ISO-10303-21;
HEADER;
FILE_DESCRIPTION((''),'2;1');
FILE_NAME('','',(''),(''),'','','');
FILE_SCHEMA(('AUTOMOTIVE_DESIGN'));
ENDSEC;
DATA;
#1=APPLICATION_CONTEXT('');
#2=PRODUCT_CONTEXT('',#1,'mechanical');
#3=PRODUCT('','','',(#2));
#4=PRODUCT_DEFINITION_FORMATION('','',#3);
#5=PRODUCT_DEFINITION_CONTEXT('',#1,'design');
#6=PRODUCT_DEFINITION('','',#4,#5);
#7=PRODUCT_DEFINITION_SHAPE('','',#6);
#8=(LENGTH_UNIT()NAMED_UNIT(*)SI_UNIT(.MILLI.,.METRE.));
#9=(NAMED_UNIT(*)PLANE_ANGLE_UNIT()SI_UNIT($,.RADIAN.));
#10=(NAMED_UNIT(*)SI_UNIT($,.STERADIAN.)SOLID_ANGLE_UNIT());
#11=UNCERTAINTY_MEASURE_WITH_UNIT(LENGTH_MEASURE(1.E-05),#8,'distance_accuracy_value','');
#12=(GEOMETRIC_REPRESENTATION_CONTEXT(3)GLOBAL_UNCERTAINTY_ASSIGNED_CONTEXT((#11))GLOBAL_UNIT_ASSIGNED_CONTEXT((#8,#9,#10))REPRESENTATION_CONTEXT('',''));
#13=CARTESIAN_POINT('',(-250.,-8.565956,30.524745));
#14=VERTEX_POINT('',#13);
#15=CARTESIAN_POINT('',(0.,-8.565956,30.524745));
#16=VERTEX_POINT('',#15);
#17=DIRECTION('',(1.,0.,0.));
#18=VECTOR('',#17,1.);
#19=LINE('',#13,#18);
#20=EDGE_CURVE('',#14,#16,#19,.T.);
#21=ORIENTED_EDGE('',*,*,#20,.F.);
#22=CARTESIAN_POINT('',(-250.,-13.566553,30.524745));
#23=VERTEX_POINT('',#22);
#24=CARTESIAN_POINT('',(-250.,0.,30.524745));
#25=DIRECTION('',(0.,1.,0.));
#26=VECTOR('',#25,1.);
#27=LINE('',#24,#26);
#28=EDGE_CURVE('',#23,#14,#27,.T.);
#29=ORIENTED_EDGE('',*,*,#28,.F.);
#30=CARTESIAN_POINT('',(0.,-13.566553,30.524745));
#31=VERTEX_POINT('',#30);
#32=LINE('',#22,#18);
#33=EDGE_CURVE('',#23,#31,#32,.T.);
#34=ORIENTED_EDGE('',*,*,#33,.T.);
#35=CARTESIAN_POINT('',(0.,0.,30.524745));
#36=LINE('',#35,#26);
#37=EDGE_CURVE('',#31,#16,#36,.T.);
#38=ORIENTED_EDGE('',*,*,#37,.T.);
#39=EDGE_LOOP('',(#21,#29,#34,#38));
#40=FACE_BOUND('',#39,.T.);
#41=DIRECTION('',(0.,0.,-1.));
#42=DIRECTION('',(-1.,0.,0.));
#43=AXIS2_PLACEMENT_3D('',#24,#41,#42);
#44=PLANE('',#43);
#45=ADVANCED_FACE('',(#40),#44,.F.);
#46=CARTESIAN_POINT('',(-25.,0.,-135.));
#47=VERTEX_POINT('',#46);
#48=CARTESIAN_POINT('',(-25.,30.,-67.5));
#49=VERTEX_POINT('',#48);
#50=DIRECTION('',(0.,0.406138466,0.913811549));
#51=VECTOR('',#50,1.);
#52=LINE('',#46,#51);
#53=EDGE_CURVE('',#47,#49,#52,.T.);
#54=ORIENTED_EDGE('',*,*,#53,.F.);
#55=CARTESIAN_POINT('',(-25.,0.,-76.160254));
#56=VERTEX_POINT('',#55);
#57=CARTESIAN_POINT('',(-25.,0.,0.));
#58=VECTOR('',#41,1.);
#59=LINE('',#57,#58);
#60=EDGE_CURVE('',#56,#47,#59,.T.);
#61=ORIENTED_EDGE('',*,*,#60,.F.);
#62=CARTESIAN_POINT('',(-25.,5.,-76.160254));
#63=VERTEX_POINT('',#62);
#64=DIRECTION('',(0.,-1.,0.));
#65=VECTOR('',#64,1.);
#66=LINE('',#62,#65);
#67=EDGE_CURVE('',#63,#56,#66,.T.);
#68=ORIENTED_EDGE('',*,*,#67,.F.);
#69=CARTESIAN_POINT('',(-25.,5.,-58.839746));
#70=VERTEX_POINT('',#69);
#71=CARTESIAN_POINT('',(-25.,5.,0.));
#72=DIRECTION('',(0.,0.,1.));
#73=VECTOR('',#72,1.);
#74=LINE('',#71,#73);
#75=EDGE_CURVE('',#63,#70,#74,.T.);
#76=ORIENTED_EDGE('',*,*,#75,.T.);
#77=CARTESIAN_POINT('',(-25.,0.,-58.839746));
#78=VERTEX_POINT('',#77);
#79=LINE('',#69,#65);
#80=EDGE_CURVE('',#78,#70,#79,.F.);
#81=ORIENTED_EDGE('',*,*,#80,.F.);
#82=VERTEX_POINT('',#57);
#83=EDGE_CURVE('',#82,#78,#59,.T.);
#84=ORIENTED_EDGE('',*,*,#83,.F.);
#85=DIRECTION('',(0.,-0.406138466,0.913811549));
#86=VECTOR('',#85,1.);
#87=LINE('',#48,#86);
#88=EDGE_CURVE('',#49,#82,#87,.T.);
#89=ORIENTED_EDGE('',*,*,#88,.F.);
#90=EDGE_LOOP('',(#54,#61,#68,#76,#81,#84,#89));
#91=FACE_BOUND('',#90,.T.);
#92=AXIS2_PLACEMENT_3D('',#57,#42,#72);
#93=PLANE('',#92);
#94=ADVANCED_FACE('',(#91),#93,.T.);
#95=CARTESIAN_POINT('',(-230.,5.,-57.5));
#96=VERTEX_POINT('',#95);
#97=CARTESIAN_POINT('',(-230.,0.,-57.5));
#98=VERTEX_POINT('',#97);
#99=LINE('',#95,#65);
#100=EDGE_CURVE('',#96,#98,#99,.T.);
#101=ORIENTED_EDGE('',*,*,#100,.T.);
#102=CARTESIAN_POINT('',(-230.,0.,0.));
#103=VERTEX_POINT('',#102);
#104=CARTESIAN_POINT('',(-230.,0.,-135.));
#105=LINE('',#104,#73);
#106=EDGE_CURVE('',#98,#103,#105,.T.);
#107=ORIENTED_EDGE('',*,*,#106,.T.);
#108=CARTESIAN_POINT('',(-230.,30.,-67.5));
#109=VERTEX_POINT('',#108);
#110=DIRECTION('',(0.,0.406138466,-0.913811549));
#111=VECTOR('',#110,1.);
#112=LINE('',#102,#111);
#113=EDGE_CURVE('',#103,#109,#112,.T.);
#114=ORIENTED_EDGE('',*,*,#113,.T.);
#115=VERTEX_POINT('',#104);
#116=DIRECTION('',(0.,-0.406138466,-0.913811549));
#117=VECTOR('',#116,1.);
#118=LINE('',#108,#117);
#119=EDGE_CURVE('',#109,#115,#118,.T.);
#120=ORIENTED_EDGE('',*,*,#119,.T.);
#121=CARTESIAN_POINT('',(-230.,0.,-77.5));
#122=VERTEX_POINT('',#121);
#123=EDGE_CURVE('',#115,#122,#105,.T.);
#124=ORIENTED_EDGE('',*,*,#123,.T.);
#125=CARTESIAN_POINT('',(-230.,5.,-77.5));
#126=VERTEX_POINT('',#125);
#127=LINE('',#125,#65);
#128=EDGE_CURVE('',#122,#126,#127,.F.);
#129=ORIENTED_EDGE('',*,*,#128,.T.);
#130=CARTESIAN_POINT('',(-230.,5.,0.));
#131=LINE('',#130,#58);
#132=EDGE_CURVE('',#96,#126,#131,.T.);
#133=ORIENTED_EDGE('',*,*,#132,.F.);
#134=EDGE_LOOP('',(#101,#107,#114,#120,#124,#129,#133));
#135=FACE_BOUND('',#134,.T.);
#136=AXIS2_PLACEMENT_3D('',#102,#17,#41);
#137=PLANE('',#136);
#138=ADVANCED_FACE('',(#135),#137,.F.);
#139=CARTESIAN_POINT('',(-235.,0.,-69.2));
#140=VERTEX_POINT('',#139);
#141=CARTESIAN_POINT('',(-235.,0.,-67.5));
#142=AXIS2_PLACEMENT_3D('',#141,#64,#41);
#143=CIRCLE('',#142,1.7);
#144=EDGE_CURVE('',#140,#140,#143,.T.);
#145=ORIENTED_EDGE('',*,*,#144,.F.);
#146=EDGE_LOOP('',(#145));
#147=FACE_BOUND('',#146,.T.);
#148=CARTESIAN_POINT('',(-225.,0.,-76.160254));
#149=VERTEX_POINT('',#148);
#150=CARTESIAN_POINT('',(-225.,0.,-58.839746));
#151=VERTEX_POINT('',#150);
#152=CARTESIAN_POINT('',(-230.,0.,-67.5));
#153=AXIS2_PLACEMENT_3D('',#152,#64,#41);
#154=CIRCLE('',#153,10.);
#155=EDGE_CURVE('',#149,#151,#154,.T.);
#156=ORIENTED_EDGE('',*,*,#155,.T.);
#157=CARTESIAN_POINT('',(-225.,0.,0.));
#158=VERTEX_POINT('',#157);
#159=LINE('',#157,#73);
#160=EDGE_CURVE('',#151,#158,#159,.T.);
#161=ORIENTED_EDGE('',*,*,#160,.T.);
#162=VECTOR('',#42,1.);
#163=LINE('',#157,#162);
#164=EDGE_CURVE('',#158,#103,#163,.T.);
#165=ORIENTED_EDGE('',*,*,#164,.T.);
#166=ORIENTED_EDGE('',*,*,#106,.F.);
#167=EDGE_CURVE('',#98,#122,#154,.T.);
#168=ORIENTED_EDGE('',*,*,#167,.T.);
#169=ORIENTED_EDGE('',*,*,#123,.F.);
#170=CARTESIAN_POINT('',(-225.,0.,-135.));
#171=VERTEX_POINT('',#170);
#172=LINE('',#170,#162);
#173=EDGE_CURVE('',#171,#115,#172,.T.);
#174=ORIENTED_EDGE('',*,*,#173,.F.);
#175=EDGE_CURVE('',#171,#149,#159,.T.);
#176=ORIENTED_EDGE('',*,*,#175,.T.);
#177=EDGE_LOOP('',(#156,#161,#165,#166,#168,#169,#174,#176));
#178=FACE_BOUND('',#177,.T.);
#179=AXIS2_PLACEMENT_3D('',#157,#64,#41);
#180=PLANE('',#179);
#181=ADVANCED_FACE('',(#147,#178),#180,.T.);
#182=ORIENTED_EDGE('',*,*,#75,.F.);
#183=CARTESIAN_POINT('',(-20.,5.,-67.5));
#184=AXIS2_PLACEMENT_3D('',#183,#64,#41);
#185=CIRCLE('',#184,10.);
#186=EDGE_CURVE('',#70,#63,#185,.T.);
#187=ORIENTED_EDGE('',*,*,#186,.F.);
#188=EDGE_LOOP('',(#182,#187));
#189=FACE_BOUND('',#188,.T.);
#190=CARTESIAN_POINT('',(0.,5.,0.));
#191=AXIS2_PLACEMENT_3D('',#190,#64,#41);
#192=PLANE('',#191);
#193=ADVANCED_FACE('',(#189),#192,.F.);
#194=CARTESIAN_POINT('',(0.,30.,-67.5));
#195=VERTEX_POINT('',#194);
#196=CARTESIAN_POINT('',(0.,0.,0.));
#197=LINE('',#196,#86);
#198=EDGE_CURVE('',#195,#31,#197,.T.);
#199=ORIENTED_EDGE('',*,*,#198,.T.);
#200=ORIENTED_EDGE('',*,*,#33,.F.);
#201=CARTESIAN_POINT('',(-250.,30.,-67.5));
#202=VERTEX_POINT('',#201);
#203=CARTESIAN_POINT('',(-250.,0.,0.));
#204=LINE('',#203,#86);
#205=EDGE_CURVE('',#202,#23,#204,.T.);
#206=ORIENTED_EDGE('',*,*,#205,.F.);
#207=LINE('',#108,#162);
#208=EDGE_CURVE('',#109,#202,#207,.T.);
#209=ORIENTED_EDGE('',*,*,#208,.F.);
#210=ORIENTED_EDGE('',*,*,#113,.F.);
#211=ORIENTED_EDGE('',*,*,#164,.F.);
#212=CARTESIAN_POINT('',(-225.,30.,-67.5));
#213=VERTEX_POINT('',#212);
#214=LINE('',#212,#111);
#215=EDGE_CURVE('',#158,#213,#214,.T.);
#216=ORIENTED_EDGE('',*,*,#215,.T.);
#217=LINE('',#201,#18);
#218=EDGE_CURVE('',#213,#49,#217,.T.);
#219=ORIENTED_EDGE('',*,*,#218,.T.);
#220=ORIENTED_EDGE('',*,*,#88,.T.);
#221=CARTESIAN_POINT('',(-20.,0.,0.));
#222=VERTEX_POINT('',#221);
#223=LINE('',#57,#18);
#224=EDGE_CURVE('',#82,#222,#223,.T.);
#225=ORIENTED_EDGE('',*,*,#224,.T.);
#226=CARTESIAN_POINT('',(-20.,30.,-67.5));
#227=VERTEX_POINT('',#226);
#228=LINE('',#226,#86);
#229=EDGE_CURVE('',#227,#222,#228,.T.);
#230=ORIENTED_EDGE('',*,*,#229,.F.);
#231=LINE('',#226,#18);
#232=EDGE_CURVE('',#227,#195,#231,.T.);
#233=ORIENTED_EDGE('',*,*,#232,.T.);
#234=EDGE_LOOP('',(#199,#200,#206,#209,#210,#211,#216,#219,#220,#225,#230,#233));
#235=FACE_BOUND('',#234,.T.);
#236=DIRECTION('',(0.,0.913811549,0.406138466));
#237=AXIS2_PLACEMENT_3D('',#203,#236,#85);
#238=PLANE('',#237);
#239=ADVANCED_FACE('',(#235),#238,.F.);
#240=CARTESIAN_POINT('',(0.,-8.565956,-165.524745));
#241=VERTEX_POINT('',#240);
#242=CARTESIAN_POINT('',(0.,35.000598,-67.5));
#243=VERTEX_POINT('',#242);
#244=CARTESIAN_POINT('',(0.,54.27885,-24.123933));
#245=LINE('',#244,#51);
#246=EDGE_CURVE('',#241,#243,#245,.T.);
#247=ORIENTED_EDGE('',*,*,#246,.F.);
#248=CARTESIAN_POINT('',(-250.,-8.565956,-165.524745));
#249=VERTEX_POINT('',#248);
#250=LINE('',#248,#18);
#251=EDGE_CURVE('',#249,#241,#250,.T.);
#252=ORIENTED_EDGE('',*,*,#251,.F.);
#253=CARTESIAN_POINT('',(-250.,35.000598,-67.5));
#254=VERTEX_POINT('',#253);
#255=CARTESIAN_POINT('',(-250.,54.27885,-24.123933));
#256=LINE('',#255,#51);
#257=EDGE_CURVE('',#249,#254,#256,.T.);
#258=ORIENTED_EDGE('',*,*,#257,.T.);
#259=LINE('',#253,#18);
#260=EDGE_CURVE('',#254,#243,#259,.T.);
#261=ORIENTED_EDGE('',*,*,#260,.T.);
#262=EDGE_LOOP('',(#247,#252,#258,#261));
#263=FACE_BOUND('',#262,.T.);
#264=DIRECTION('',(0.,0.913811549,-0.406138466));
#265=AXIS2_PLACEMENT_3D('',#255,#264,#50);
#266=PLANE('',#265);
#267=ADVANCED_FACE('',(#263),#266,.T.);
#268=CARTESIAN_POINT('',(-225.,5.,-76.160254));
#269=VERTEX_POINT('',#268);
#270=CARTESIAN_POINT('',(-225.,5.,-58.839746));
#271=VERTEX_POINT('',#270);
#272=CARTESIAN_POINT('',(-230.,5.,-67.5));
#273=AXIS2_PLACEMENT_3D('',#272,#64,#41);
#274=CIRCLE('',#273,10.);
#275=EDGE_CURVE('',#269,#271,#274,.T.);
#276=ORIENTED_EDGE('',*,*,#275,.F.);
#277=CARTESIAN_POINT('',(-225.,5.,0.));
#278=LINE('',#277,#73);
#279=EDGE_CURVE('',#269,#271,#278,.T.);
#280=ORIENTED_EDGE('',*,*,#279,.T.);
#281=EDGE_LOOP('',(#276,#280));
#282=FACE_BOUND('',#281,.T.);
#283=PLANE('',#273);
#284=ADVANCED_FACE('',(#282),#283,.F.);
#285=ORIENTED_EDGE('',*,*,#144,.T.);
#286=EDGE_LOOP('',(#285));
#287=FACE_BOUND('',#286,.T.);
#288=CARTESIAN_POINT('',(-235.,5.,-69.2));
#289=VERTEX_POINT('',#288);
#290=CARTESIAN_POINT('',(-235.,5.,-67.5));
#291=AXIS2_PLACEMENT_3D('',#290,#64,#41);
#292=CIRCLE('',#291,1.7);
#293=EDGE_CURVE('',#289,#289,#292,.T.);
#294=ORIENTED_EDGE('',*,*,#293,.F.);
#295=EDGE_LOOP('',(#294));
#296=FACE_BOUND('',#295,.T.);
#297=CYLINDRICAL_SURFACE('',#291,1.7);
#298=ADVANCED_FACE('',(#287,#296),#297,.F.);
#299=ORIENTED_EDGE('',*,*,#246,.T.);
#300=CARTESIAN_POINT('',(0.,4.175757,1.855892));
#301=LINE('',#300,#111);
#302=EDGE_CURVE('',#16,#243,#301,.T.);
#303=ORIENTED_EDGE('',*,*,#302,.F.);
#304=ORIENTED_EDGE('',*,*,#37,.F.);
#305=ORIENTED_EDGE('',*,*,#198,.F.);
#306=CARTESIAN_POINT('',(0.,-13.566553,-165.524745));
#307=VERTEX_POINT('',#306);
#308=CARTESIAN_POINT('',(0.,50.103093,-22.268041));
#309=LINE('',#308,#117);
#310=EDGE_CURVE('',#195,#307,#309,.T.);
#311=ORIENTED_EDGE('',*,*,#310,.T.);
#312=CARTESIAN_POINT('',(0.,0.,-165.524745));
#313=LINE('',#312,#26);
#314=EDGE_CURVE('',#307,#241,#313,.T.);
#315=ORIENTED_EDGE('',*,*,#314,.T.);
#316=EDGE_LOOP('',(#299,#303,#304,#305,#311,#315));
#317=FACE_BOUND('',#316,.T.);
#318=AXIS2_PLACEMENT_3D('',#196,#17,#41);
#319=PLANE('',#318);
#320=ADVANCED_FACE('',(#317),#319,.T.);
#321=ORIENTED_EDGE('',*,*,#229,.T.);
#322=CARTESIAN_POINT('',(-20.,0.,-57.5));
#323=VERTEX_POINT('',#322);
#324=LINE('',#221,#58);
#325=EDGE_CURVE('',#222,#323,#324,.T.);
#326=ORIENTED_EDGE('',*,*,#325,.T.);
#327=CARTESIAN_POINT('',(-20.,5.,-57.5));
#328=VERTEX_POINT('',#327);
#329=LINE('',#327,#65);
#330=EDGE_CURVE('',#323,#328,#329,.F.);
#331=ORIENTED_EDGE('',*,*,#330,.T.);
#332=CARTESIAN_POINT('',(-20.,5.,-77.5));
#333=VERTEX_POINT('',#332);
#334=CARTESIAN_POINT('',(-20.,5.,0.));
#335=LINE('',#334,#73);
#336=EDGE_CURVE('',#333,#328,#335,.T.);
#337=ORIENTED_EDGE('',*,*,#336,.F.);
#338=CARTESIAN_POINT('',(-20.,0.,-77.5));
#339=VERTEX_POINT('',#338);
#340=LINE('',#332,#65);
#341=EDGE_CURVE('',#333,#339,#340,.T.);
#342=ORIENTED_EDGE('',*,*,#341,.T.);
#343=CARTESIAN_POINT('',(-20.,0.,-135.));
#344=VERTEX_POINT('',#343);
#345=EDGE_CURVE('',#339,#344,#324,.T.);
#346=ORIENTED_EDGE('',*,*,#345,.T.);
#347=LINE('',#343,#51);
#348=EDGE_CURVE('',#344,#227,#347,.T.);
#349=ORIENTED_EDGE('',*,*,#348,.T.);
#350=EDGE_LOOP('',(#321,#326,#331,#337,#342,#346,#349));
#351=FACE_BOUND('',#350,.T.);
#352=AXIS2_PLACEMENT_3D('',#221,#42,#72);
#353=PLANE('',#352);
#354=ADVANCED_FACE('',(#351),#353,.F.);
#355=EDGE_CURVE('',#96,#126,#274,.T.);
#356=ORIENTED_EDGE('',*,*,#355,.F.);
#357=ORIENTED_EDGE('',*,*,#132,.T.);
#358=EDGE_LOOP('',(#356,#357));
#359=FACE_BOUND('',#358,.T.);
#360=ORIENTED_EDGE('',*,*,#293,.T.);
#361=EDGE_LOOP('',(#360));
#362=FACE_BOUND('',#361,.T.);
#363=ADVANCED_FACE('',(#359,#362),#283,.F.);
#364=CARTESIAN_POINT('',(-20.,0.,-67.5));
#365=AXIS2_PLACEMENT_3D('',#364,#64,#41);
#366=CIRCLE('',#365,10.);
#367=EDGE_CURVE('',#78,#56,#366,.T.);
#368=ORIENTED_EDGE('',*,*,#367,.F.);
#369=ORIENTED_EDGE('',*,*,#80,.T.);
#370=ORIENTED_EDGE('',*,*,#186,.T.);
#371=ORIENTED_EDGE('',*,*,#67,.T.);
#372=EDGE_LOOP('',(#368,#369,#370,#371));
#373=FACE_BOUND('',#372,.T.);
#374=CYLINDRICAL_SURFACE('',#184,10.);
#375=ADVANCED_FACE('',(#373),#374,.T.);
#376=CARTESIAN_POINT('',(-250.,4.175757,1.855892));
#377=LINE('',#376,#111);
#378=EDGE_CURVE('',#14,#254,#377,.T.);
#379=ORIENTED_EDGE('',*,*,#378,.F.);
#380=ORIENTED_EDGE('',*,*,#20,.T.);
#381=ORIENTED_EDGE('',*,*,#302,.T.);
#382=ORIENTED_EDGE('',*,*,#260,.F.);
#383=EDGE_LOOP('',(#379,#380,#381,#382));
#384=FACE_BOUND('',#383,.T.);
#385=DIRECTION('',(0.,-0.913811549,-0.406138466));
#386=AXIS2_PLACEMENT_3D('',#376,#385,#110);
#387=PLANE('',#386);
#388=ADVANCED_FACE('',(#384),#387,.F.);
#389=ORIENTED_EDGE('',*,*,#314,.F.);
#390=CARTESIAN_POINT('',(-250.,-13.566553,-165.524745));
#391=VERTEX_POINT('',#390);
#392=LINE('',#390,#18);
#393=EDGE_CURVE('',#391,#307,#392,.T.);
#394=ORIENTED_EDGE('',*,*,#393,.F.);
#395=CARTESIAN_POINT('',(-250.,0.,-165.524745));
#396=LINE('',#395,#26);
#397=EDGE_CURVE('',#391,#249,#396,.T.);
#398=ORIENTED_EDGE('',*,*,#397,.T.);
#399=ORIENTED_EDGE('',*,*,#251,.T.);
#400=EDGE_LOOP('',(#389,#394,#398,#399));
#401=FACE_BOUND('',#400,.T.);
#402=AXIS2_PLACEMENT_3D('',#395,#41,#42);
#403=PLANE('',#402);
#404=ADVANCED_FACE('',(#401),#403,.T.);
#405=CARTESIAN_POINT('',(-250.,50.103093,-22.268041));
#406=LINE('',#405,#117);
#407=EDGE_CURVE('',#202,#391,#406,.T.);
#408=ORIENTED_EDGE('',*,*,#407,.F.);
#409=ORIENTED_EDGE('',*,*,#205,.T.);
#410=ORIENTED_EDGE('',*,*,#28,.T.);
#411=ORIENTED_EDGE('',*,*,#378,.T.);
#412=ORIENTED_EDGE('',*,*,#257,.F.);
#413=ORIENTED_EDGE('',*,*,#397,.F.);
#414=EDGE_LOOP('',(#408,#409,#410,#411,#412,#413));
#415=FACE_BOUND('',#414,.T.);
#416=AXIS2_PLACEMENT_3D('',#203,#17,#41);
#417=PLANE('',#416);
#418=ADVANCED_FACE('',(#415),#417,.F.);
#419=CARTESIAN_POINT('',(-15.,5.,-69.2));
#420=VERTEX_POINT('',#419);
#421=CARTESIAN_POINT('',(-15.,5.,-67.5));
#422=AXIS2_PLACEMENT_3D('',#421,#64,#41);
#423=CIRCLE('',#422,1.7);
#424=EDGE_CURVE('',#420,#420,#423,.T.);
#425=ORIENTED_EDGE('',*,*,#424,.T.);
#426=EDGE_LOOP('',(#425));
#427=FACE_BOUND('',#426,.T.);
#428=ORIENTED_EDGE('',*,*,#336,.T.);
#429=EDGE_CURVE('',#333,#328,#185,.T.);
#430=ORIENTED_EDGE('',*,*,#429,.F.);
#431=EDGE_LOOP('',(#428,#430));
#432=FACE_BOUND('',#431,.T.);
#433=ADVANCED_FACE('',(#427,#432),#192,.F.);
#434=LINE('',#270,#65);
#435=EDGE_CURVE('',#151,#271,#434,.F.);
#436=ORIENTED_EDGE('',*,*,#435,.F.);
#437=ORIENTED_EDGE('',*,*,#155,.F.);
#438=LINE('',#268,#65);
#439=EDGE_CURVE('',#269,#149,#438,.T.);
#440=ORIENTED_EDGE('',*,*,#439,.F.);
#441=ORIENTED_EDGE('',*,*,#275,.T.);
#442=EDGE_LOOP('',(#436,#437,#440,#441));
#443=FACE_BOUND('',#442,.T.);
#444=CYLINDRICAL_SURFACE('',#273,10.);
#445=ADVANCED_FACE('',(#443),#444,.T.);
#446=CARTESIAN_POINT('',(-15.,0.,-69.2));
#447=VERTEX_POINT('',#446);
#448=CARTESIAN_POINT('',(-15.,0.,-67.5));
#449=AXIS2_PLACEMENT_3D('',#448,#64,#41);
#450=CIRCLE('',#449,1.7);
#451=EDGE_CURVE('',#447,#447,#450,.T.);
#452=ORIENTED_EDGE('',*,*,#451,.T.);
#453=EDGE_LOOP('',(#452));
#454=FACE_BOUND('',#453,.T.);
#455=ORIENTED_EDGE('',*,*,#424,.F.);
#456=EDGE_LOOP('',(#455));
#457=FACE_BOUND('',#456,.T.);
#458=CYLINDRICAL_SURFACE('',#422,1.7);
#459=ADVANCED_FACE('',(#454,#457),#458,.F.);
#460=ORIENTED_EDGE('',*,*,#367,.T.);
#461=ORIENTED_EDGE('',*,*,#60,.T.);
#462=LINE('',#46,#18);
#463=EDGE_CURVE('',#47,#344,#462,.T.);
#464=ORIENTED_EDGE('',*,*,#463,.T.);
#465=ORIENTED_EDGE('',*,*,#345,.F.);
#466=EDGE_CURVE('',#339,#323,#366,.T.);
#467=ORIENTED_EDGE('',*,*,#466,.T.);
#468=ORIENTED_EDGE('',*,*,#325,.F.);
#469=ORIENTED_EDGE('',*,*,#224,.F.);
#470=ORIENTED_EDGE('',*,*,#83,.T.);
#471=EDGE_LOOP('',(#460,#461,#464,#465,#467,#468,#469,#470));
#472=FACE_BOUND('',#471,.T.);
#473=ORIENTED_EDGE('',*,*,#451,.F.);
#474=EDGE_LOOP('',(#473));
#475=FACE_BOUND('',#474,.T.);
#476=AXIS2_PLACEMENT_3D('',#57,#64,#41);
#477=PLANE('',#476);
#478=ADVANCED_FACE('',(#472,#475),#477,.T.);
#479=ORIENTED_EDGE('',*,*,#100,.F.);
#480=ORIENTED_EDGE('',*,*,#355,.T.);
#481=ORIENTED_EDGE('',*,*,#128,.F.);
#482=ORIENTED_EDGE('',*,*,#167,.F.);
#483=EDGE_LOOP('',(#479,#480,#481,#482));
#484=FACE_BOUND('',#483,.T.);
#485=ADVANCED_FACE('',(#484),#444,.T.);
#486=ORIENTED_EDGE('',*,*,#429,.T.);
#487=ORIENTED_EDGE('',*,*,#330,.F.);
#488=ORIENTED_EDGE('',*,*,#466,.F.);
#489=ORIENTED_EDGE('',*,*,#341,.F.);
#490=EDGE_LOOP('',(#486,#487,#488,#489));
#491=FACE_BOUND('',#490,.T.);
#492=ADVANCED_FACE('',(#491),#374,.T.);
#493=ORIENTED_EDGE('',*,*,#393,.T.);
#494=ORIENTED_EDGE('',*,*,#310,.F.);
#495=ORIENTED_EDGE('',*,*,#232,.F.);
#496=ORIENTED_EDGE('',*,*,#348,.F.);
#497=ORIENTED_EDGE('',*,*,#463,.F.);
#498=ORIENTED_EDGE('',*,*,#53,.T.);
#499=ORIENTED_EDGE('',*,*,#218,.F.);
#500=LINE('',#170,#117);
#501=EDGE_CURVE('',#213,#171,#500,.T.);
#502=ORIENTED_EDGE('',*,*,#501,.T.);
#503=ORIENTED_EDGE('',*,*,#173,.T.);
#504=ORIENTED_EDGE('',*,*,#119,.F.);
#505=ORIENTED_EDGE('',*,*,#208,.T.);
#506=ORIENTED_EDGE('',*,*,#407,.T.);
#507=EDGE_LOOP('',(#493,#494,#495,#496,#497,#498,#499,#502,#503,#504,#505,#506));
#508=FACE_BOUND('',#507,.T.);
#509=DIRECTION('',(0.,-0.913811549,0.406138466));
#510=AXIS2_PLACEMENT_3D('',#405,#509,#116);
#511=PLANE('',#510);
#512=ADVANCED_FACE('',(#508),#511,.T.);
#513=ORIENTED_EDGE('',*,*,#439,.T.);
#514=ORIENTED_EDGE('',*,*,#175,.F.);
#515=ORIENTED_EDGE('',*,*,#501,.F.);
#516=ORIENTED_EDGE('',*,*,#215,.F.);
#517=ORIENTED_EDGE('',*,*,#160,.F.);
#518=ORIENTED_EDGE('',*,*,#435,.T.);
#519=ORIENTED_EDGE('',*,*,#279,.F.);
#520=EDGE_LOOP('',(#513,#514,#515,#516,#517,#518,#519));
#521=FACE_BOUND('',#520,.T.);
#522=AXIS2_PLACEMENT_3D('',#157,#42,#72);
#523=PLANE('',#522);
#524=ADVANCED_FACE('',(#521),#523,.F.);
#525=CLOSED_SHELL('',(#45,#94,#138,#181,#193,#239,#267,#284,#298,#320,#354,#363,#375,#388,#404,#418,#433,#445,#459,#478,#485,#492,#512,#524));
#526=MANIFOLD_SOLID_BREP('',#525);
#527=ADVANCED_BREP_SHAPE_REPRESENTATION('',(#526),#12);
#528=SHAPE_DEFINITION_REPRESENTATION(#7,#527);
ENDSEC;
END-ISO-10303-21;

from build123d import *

# Parameters (mm, degrees)
BOSS_EXTRUDE2_DEPTH = 250
BOSS_EXTRUDE3_DEPTH = 25
CUT_EXTRUDE1_DEPTH  = 20
BOSS_EXTRUDE4_DEPTH = 25
CUT_EXTRUDE2_DEPTH  = 20
SKETCH6_R           = 10
BOSS_EXTRUDE5_DEPTH = 5


with BuildPart() as part:
    # Sketch1 → Boss-Extrude2 (new body)
    with BuildSketch(Plane(origin=(0, 0, 0), x_dir=(0, 0, -1), z_dir=(1, 0, 0))):
        Polygon((-30.524745156, -13.566553403), (0, 0), (67.5, 30), (135, 0), (165.524745156, -13.566553403), (165.524745156, -8.565955709), (67.5, 35.000597694), (-30.524745156, -8.565955709), align=None)
    extrude(amount=-BOSS_EXTRUDE2_DEPTH)

    # Sketch2 → Boss-Extrude3 (add)
    with BuildSketch(Plane(origin=(0, 0, 0), x_dir=(0, 0, -1), z_dir=(1, 0, 0))):
        Polygon((0, 0), (135, 0), (67.5, 30), align=None)
    extrude(amount=-BOSS_EXTRUDE3_DEPTH)

    # Sketch3 → Cut-Extrude1 (cut)
    with BuildSketch(Plane(origin=(0, 0, 0), x_dir=(0, 0, -1), z_dir=(1, 0, 0))):
        Polygon((0, 0), (135, 0), (67.5, 30), align=None)
    extrude(amount=-CUT_EXTRUDE1_DEPTH, mode=Mode.SUBTRACT)

    # Sketch4 → Boss-Extrude4 (add)
    with BuildSketch(Plane.ZY.offset(250)):
        Polygon((0, 0), (-135, 0), (-67.5, 30), align=None)
    extrude(amount=-BOSS_EXTRUDE4_DEPTH)

    # Sketch5 → Cut-Extrude2 (cut)
    with BuildSketch(Plane.ZY.offset(250)):
        Polygon((-135, 0), (0, 0), (-67.5, 30), align=None)
    extrude(amount=-CUT_EXTRUDE2_DEPTH, mode=Mode.SUBTRACT)

    # Sketch6 → Boss-Extrude5 (add)
    # profile 1 of 2: a face of its own
    with BuildSketch(Plane(origin=(0, 0, 0), x_dir=(-1, 0, 0), z_dir=(0, -1, 0))):
        with Locations((230, 67.5)):
            Circle(SKETCH6_R)
        with BuildLine():
            ThreePointArc((233.3, 67.5), (235, 69.2), (236.7, 67.5))
            ThreePointArc((236.7, 67.5), (235, 65.8), (233.3, 67.5))
        make_face(mode=Mode.SUBTRACT)
    # profile 2 of 2: a face of its own
    with BuildSketch(Plane(origin=(0, 0, 0), x_dir=(-1, 0, 0), z_dir=(0, -1, 0))):
        with Locations((20, 67.5)):
            Circle(SKETCH6_R)
        with BuildLine():
            ThreePointArc((13.3, 67.5), (15, 69.2), (16.7, 67.5))
            ThreePointArc((16.7, 67.5), (15, 65.8), (13.3, 67.5))
        make_face(mode=Mode.SUBTRACT)
    extrude(amount=-BOSS_EXTRUDE5_DEPTH)


solid = part.part
